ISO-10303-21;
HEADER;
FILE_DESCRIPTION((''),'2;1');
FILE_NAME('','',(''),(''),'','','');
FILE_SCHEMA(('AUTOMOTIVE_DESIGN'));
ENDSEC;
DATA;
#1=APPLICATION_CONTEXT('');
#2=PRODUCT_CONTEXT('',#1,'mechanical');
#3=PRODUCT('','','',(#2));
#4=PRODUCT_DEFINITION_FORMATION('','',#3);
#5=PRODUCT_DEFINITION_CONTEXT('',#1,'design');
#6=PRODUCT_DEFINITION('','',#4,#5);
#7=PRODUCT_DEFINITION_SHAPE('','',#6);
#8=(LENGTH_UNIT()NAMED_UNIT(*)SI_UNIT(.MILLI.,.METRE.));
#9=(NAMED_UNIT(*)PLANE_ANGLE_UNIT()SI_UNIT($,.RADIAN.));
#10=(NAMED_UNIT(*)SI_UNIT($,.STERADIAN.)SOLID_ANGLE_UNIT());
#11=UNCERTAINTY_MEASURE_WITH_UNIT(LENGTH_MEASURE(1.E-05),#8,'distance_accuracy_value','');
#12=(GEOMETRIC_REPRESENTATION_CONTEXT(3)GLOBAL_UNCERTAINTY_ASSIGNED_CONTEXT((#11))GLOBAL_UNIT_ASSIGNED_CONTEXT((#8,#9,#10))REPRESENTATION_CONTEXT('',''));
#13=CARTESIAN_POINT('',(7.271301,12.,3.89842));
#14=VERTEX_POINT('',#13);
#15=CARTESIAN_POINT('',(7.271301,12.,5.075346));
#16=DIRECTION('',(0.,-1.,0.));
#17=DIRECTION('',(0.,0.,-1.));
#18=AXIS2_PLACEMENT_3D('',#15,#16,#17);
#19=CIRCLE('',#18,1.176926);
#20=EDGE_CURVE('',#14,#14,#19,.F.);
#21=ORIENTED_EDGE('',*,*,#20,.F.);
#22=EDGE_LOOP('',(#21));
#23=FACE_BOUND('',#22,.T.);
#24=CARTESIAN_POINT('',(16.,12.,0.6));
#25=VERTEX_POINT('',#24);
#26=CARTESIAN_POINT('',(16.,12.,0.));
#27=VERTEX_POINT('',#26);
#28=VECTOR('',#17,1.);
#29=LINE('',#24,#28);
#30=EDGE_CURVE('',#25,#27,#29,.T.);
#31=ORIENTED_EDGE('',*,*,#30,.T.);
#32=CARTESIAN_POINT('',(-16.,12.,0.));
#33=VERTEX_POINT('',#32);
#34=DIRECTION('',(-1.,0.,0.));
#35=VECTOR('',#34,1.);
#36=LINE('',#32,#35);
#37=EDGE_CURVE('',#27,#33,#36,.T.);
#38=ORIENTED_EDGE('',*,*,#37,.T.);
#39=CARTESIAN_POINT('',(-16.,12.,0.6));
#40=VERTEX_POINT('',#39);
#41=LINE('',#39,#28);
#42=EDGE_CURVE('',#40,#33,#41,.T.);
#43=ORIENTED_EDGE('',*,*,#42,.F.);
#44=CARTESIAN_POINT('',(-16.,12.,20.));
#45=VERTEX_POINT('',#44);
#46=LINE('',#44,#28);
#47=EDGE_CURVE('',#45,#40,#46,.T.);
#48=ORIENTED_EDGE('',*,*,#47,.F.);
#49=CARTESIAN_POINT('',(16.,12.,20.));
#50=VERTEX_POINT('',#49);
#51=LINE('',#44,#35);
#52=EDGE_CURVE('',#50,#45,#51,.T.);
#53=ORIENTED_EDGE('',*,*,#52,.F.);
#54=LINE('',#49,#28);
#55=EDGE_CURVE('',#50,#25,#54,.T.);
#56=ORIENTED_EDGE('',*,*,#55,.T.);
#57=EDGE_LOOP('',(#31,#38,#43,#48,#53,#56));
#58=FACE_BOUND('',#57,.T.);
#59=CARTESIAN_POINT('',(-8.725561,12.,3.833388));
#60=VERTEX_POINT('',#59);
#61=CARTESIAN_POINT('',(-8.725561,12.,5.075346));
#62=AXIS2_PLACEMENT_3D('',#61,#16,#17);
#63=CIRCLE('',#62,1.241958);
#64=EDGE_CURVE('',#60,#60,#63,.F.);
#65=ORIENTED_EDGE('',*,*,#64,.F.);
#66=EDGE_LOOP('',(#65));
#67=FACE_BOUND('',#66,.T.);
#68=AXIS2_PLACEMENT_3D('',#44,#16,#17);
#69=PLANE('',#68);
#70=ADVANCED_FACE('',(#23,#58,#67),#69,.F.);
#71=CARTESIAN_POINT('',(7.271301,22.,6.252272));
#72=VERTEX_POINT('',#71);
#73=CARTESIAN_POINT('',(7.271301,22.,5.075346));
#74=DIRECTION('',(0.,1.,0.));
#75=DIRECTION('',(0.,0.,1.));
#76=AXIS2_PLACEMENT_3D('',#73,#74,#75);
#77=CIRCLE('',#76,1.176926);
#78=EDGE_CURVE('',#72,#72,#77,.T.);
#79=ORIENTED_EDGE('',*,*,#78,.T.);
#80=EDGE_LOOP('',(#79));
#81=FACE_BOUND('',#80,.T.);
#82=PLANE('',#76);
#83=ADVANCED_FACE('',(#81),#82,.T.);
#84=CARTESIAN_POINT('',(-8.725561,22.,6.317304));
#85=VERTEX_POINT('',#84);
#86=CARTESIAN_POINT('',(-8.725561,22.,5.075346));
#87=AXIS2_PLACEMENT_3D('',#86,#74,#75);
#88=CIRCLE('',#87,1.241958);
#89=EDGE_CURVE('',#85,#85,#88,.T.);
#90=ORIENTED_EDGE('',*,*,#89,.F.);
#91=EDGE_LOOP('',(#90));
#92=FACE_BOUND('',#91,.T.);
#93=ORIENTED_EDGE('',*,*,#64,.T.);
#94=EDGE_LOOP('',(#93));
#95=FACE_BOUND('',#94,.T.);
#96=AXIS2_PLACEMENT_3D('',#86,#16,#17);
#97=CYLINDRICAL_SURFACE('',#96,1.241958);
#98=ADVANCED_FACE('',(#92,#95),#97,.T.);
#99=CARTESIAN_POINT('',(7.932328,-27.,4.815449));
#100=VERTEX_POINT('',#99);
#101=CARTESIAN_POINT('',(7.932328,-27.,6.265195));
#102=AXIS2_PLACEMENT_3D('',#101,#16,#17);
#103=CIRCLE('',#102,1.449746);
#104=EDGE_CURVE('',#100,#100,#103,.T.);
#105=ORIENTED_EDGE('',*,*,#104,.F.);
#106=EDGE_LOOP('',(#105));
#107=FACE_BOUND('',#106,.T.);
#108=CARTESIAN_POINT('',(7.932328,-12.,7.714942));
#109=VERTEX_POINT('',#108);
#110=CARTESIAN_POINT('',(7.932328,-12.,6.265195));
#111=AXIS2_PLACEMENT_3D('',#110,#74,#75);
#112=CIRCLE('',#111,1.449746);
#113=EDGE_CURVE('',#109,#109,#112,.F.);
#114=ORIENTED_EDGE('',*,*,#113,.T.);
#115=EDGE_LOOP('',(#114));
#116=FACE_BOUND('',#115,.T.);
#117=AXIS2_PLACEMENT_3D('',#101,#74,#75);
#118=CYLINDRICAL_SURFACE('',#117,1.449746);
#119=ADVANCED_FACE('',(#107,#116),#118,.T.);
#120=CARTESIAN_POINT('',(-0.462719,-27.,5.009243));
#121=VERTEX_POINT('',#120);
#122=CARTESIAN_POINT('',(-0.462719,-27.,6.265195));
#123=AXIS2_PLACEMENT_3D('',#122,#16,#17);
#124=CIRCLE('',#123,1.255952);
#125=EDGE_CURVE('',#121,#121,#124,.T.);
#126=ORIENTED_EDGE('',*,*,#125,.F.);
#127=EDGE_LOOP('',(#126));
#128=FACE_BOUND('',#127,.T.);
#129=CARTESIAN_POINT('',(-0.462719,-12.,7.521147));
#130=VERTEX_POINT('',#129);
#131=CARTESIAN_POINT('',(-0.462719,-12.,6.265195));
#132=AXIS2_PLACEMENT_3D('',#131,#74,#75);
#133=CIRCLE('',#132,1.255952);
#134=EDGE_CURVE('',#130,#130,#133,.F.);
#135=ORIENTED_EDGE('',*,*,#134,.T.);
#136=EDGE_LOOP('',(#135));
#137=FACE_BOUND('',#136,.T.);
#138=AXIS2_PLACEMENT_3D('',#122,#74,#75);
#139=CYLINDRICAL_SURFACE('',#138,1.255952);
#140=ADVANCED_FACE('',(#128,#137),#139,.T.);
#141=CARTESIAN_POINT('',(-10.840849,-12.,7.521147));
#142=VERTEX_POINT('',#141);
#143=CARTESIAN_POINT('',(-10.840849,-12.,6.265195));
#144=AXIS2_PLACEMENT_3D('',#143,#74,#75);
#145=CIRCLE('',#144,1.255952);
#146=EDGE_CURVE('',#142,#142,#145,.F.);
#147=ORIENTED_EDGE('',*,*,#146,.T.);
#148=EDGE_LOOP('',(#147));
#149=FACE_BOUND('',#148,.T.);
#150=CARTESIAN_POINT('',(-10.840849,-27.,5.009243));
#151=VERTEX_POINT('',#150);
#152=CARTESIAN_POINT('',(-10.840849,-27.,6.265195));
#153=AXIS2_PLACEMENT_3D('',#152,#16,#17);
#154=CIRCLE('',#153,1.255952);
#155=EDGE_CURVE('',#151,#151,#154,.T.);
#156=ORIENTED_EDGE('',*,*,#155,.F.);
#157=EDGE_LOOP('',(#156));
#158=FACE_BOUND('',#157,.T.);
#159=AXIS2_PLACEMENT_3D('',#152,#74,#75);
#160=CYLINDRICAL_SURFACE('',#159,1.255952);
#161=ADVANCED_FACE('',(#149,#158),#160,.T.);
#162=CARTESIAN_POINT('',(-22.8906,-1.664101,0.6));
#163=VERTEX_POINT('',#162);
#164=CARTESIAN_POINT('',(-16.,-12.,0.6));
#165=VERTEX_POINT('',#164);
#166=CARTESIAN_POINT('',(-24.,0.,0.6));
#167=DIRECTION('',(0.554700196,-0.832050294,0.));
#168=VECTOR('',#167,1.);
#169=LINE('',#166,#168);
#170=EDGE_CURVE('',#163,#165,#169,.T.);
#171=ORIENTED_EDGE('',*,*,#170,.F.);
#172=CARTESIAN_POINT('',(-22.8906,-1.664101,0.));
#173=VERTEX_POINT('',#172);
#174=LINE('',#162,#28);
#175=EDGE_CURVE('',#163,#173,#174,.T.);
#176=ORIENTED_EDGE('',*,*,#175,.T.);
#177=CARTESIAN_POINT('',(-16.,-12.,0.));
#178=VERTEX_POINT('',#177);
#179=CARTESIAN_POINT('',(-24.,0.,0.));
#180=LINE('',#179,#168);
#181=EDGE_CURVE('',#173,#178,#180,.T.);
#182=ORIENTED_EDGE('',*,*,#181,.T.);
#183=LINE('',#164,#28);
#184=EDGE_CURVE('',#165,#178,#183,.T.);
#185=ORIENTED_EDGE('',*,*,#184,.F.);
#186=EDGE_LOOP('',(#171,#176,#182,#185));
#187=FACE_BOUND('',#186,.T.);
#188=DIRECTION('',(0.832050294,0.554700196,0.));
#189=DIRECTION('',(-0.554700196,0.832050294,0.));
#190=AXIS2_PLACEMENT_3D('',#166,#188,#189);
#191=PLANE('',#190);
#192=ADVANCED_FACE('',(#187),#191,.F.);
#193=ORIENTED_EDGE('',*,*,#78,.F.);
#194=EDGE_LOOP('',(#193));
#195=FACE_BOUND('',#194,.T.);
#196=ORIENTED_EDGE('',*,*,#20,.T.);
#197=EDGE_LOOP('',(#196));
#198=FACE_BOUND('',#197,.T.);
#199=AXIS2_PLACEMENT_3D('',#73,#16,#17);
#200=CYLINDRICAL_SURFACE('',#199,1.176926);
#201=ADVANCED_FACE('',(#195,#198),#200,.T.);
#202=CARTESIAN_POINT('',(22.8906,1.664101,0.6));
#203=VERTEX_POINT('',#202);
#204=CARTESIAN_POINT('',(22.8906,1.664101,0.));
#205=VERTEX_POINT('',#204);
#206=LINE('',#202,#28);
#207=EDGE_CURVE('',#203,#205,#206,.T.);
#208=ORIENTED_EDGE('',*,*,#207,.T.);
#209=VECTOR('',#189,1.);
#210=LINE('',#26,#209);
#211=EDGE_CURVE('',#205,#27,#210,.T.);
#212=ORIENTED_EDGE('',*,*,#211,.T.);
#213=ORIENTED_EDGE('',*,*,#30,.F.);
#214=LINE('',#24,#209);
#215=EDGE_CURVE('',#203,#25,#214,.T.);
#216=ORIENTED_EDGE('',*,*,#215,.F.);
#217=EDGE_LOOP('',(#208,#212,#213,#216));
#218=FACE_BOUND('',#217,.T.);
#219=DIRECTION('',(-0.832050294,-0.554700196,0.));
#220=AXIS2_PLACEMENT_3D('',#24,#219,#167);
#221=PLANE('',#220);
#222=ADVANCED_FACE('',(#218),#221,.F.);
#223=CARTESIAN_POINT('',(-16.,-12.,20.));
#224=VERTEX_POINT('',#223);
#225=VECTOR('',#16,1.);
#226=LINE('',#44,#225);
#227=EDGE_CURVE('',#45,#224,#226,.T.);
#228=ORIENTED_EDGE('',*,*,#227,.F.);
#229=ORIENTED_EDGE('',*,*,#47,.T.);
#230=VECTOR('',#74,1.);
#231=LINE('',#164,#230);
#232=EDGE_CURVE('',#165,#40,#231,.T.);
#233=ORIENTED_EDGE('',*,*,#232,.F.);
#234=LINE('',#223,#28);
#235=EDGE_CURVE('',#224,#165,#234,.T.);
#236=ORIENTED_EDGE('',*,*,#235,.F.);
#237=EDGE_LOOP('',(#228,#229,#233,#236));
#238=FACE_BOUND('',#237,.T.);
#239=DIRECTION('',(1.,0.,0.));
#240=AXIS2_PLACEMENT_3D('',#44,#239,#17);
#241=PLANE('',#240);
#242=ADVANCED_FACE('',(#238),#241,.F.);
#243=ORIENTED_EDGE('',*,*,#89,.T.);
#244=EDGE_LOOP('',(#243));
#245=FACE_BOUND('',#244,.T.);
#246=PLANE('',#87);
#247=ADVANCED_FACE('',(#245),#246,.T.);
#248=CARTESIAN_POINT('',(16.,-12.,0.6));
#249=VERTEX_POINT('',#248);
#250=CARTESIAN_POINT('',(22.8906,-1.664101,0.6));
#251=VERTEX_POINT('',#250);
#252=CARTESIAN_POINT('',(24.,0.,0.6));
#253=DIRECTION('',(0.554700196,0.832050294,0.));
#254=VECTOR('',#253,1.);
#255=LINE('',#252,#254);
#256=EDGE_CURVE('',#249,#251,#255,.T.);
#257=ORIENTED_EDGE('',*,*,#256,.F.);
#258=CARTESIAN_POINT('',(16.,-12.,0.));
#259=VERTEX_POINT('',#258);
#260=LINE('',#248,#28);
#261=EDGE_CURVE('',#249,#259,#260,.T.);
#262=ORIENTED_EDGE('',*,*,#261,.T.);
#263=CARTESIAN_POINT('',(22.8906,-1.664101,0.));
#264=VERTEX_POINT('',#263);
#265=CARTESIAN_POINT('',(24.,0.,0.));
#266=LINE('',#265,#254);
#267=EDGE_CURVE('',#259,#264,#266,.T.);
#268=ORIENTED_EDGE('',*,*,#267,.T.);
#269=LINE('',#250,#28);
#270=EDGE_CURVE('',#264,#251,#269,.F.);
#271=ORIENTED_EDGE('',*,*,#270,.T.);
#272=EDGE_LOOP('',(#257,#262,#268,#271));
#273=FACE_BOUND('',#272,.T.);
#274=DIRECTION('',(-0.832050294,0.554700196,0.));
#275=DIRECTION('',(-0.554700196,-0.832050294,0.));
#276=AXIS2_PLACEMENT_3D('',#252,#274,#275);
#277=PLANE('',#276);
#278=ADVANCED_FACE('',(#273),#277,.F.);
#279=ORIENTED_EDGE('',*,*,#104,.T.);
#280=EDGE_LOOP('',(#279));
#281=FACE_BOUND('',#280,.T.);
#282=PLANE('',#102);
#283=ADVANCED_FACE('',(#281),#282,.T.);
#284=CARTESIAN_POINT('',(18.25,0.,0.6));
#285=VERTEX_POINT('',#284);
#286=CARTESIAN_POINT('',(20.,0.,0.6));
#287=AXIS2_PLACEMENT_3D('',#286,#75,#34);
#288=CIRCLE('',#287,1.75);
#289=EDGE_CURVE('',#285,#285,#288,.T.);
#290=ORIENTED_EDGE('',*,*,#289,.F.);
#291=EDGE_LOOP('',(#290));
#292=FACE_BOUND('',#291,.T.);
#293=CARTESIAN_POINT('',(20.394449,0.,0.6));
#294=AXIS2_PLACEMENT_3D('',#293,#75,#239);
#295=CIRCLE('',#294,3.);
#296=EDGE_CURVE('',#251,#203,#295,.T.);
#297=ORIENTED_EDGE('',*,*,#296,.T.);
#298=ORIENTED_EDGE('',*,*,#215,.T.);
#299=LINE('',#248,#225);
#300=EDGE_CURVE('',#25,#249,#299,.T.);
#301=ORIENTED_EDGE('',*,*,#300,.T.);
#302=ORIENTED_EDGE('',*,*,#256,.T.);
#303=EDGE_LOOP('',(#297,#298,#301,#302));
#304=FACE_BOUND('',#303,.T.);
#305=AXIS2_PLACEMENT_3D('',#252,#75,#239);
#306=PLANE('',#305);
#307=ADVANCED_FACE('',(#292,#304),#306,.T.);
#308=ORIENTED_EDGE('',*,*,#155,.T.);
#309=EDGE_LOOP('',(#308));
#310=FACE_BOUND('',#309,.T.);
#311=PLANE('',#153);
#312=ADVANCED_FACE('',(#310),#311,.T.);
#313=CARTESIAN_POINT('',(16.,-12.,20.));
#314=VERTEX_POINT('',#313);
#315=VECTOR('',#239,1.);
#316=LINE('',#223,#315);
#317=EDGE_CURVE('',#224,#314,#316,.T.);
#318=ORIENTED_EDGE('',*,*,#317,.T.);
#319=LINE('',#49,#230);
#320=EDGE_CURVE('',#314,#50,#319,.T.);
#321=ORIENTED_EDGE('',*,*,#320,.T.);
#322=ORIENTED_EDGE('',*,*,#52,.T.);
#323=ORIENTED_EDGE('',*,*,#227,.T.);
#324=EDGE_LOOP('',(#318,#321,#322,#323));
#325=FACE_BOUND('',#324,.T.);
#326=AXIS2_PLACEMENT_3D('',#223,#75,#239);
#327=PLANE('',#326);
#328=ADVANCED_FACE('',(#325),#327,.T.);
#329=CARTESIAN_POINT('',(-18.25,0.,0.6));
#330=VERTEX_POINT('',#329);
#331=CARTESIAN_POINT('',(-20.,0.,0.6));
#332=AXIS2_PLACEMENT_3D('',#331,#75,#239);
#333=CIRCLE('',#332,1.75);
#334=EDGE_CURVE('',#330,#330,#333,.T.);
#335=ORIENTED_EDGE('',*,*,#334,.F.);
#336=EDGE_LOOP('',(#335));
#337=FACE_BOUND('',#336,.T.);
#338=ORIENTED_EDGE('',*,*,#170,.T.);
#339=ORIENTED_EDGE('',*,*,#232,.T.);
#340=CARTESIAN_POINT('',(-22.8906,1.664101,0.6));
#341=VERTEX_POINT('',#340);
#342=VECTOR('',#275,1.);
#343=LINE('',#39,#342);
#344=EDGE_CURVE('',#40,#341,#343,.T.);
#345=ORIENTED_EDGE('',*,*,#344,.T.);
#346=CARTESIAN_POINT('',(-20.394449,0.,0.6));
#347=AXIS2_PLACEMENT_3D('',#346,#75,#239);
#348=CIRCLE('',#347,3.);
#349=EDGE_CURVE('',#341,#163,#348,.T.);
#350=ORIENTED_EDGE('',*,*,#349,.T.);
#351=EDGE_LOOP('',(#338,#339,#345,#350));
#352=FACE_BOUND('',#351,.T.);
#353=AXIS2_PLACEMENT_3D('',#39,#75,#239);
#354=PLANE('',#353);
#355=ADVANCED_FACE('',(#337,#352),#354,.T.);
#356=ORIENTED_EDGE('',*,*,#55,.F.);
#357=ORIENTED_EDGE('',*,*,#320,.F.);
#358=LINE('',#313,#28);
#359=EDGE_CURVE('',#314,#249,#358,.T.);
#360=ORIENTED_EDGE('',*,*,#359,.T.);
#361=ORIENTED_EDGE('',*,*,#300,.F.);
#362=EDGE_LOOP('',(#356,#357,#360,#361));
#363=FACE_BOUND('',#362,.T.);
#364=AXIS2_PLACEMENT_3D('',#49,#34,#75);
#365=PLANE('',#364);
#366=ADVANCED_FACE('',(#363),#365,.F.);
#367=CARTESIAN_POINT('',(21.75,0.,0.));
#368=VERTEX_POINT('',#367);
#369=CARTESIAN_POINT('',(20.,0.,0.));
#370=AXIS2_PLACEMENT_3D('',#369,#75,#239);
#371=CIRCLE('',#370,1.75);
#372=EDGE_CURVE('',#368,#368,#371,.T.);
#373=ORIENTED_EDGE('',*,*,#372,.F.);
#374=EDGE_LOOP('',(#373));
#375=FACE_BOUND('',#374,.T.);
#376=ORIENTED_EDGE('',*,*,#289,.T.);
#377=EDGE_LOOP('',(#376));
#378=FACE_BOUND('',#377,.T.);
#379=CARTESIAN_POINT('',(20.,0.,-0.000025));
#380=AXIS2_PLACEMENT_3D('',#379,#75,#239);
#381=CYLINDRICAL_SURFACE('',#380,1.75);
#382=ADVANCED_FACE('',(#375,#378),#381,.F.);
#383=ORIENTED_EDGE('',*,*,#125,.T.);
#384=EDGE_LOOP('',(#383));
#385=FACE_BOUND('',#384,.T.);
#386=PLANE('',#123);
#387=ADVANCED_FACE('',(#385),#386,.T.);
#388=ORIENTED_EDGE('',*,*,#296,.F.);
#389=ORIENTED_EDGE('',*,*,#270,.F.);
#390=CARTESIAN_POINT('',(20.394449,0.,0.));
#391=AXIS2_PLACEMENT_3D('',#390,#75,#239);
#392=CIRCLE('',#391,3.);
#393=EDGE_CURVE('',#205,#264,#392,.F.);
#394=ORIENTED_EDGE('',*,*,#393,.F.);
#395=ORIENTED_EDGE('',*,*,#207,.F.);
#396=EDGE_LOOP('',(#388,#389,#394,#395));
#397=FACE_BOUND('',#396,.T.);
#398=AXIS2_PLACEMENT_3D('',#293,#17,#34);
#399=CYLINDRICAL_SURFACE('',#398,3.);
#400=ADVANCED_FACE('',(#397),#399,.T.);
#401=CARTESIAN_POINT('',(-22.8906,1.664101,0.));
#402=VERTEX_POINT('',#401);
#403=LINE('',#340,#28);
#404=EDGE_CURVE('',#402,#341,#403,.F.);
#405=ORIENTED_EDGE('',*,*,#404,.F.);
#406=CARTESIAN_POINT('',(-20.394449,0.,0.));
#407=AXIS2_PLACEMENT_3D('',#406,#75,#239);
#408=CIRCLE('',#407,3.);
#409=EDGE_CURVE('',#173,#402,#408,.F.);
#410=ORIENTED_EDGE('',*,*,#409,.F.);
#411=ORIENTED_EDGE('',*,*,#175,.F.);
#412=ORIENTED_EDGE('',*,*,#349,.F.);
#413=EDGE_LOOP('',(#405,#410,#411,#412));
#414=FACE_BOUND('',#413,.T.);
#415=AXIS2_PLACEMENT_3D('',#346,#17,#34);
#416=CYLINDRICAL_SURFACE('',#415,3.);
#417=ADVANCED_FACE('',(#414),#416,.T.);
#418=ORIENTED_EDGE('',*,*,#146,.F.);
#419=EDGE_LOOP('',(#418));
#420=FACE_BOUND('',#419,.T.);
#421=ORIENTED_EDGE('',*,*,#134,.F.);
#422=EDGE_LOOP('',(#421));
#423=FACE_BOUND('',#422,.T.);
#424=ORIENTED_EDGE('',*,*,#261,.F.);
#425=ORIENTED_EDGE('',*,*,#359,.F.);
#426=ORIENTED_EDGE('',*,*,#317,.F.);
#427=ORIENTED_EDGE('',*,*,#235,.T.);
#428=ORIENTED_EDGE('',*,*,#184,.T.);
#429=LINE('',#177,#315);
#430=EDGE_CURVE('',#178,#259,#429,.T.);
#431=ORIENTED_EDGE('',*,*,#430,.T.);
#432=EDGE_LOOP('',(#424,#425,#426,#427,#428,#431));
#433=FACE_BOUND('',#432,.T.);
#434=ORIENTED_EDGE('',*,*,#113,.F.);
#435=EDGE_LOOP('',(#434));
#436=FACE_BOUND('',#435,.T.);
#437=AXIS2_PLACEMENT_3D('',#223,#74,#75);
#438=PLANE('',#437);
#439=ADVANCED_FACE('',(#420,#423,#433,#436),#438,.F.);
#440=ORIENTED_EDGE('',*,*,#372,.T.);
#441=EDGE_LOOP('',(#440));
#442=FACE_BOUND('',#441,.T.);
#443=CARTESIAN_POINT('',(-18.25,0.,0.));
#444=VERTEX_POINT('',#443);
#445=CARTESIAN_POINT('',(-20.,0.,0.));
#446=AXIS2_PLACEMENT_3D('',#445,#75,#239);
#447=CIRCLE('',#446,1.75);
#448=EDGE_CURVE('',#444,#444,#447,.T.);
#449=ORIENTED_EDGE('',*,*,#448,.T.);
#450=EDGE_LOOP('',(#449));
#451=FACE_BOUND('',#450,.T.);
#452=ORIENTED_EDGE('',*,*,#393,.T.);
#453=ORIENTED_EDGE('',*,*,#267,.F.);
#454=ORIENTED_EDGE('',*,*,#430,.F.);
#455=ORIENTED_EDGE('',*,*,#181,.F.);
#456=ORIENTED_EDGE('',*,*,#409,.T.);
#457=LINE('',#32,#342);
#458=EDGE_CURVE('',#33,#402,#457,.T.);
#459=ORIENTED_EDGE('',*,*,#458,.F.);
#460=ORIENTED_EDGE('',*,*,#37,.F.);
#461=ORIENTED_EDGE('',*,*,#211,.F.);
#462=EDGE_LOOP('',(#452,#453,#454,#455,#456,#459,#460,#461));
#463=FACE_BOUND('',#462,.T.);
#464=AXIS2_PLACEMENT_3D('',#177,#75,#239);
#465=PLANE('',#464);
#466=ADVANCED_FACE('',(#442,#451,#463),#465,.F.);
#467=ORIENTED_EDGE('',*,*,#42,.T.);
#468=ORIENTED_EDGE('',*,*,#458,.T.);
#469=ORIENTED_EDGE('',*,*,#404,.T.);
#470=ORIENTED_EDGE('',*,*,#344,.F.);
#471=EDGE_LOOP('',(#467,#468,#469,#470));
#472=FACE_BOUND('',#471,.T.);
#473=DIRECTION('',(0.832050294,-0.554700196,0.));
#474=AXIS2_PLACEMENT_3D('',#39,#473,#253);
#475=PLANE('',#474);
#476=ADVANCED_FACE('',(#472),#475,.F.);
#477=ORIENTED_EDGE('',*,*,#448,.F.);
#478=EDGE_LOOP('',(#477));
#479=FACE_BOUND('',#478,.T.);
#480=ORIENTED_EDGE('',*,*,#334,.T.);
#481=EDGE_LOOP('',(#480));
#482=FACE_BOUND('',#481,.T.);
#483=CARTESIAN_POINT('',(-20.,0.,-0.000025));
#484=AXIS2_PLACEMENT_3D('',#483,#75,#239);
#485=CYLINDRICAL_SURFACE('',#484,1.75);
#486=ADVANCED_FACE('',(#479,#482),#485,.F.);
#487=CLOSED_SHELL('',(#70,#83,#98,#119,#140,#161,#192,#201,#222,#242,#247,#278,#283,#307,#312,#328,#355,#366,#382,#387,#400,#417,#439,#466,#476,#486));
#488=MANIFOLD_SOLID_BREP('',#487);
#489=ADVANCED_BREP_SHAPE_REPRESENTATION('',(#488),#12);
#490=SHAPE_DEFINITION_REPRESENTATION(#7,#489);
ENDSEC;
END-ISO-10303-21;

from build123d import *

# Parameters (mm, degrees)
SKETCH_1_W          = 32
SKETCH_1_H          = 24
EXTRUDE_1_DEPTH     = 20
EXTRUDE_2_DEPTH     = 0.6
SKETCH_3_R          = 1.75
CUT_EXTRUDE_1_DEPTH = 34.111327367
FILLET_1_R          = 3
SKETCH_4_R          = 1.241957667
SKETCH_4_R_2        = 1.176925768
EXTRUDE_3_DEPTH     = 10
SKETCH_5_R          = 1.255951998
SKETCH_5_R_2        = 1.449746198
EXTRUDE_4_DEPTH     = 15


with BuildPart() as part:
    # 草图1 → 凸台-拉伸1 (new body)
    with BuildSketch(Plane.XY):
        Rectangle(SKETCH_1_W, SKETCH_1_H)
    extrude(amount=EXTRUDE_1_DEPTH)

    # 草图2 → 凸台-拉伸2 (add)
    with BuildSketch(Plane.XY):
        Polygon((-16, 12), (-24, 0), (-16, -12), align=None)
        Polygon((16, -12), (16, 12), (24, 0), align=None)
    extrude(amount=EXTRUDE_2_DEPTH)

    # 草图3 → 切除-拉伸1 (cut, through all)
    with BuildSketch(Plane.XY.offset(0.6)):
        with Locations((-20, 0)):
            Circle(SKETCH_3_R)
        with Locations((20, 0)):
            Circle(SKETCH_3_R)
    extrude(amount=-CUT_EXTRUDE_1_DEPTH, mode=Mode.SUBTRACT)

    # 圆角1
    fillet_1_edges = [part.edges().sort_by_distance(p)[0] for p in [
        (24, 0, 0.3),
        (-24, 0, 0.3),
    ]]
    fillet(fillet_1_edges, radius=FILLET_1_R)

    # 草图4 → 凸台-拉伸3 (add)
    with BuildSketch(Plane(origin=(0, 12, 0), x_dir=(1, 0, 0), z_dir=(0, 1, 0))):
        with Locations(Location((-8.72556125, -5.075346112, 0), (0, 0, 90))):
            Circle(SKETCH_4_R)
        with Locations(Location((7.271301042, -5.075346112, 0), (0, 0, 90))):
            Circle(SKETCH_4_R_2)
    extrude(amount=EXTRUDE_3_DEPTH)

    # 草图5 → 凸台-拉伸4 (add)
    with BuildSketch(Plane.XZ.offset(12)):
        with Locations(Location((-10.840848826, 6.265195374, 0), (0, 0, 90))):
            Circle(SKETCH_5_R)
        with Locations(Location((-0.462719157, 6.265195374, 0), (0, 0, 90))):
            Circle(SKETCH_5_R)
        with Locations(Location((7.932328409, 6.265195374, 0), (0, 0, 90))):
            Circle(SKETCH_5_R_2)
    extrude(amount=EXTRUDE_4_DEPTH)


solid = part.part
